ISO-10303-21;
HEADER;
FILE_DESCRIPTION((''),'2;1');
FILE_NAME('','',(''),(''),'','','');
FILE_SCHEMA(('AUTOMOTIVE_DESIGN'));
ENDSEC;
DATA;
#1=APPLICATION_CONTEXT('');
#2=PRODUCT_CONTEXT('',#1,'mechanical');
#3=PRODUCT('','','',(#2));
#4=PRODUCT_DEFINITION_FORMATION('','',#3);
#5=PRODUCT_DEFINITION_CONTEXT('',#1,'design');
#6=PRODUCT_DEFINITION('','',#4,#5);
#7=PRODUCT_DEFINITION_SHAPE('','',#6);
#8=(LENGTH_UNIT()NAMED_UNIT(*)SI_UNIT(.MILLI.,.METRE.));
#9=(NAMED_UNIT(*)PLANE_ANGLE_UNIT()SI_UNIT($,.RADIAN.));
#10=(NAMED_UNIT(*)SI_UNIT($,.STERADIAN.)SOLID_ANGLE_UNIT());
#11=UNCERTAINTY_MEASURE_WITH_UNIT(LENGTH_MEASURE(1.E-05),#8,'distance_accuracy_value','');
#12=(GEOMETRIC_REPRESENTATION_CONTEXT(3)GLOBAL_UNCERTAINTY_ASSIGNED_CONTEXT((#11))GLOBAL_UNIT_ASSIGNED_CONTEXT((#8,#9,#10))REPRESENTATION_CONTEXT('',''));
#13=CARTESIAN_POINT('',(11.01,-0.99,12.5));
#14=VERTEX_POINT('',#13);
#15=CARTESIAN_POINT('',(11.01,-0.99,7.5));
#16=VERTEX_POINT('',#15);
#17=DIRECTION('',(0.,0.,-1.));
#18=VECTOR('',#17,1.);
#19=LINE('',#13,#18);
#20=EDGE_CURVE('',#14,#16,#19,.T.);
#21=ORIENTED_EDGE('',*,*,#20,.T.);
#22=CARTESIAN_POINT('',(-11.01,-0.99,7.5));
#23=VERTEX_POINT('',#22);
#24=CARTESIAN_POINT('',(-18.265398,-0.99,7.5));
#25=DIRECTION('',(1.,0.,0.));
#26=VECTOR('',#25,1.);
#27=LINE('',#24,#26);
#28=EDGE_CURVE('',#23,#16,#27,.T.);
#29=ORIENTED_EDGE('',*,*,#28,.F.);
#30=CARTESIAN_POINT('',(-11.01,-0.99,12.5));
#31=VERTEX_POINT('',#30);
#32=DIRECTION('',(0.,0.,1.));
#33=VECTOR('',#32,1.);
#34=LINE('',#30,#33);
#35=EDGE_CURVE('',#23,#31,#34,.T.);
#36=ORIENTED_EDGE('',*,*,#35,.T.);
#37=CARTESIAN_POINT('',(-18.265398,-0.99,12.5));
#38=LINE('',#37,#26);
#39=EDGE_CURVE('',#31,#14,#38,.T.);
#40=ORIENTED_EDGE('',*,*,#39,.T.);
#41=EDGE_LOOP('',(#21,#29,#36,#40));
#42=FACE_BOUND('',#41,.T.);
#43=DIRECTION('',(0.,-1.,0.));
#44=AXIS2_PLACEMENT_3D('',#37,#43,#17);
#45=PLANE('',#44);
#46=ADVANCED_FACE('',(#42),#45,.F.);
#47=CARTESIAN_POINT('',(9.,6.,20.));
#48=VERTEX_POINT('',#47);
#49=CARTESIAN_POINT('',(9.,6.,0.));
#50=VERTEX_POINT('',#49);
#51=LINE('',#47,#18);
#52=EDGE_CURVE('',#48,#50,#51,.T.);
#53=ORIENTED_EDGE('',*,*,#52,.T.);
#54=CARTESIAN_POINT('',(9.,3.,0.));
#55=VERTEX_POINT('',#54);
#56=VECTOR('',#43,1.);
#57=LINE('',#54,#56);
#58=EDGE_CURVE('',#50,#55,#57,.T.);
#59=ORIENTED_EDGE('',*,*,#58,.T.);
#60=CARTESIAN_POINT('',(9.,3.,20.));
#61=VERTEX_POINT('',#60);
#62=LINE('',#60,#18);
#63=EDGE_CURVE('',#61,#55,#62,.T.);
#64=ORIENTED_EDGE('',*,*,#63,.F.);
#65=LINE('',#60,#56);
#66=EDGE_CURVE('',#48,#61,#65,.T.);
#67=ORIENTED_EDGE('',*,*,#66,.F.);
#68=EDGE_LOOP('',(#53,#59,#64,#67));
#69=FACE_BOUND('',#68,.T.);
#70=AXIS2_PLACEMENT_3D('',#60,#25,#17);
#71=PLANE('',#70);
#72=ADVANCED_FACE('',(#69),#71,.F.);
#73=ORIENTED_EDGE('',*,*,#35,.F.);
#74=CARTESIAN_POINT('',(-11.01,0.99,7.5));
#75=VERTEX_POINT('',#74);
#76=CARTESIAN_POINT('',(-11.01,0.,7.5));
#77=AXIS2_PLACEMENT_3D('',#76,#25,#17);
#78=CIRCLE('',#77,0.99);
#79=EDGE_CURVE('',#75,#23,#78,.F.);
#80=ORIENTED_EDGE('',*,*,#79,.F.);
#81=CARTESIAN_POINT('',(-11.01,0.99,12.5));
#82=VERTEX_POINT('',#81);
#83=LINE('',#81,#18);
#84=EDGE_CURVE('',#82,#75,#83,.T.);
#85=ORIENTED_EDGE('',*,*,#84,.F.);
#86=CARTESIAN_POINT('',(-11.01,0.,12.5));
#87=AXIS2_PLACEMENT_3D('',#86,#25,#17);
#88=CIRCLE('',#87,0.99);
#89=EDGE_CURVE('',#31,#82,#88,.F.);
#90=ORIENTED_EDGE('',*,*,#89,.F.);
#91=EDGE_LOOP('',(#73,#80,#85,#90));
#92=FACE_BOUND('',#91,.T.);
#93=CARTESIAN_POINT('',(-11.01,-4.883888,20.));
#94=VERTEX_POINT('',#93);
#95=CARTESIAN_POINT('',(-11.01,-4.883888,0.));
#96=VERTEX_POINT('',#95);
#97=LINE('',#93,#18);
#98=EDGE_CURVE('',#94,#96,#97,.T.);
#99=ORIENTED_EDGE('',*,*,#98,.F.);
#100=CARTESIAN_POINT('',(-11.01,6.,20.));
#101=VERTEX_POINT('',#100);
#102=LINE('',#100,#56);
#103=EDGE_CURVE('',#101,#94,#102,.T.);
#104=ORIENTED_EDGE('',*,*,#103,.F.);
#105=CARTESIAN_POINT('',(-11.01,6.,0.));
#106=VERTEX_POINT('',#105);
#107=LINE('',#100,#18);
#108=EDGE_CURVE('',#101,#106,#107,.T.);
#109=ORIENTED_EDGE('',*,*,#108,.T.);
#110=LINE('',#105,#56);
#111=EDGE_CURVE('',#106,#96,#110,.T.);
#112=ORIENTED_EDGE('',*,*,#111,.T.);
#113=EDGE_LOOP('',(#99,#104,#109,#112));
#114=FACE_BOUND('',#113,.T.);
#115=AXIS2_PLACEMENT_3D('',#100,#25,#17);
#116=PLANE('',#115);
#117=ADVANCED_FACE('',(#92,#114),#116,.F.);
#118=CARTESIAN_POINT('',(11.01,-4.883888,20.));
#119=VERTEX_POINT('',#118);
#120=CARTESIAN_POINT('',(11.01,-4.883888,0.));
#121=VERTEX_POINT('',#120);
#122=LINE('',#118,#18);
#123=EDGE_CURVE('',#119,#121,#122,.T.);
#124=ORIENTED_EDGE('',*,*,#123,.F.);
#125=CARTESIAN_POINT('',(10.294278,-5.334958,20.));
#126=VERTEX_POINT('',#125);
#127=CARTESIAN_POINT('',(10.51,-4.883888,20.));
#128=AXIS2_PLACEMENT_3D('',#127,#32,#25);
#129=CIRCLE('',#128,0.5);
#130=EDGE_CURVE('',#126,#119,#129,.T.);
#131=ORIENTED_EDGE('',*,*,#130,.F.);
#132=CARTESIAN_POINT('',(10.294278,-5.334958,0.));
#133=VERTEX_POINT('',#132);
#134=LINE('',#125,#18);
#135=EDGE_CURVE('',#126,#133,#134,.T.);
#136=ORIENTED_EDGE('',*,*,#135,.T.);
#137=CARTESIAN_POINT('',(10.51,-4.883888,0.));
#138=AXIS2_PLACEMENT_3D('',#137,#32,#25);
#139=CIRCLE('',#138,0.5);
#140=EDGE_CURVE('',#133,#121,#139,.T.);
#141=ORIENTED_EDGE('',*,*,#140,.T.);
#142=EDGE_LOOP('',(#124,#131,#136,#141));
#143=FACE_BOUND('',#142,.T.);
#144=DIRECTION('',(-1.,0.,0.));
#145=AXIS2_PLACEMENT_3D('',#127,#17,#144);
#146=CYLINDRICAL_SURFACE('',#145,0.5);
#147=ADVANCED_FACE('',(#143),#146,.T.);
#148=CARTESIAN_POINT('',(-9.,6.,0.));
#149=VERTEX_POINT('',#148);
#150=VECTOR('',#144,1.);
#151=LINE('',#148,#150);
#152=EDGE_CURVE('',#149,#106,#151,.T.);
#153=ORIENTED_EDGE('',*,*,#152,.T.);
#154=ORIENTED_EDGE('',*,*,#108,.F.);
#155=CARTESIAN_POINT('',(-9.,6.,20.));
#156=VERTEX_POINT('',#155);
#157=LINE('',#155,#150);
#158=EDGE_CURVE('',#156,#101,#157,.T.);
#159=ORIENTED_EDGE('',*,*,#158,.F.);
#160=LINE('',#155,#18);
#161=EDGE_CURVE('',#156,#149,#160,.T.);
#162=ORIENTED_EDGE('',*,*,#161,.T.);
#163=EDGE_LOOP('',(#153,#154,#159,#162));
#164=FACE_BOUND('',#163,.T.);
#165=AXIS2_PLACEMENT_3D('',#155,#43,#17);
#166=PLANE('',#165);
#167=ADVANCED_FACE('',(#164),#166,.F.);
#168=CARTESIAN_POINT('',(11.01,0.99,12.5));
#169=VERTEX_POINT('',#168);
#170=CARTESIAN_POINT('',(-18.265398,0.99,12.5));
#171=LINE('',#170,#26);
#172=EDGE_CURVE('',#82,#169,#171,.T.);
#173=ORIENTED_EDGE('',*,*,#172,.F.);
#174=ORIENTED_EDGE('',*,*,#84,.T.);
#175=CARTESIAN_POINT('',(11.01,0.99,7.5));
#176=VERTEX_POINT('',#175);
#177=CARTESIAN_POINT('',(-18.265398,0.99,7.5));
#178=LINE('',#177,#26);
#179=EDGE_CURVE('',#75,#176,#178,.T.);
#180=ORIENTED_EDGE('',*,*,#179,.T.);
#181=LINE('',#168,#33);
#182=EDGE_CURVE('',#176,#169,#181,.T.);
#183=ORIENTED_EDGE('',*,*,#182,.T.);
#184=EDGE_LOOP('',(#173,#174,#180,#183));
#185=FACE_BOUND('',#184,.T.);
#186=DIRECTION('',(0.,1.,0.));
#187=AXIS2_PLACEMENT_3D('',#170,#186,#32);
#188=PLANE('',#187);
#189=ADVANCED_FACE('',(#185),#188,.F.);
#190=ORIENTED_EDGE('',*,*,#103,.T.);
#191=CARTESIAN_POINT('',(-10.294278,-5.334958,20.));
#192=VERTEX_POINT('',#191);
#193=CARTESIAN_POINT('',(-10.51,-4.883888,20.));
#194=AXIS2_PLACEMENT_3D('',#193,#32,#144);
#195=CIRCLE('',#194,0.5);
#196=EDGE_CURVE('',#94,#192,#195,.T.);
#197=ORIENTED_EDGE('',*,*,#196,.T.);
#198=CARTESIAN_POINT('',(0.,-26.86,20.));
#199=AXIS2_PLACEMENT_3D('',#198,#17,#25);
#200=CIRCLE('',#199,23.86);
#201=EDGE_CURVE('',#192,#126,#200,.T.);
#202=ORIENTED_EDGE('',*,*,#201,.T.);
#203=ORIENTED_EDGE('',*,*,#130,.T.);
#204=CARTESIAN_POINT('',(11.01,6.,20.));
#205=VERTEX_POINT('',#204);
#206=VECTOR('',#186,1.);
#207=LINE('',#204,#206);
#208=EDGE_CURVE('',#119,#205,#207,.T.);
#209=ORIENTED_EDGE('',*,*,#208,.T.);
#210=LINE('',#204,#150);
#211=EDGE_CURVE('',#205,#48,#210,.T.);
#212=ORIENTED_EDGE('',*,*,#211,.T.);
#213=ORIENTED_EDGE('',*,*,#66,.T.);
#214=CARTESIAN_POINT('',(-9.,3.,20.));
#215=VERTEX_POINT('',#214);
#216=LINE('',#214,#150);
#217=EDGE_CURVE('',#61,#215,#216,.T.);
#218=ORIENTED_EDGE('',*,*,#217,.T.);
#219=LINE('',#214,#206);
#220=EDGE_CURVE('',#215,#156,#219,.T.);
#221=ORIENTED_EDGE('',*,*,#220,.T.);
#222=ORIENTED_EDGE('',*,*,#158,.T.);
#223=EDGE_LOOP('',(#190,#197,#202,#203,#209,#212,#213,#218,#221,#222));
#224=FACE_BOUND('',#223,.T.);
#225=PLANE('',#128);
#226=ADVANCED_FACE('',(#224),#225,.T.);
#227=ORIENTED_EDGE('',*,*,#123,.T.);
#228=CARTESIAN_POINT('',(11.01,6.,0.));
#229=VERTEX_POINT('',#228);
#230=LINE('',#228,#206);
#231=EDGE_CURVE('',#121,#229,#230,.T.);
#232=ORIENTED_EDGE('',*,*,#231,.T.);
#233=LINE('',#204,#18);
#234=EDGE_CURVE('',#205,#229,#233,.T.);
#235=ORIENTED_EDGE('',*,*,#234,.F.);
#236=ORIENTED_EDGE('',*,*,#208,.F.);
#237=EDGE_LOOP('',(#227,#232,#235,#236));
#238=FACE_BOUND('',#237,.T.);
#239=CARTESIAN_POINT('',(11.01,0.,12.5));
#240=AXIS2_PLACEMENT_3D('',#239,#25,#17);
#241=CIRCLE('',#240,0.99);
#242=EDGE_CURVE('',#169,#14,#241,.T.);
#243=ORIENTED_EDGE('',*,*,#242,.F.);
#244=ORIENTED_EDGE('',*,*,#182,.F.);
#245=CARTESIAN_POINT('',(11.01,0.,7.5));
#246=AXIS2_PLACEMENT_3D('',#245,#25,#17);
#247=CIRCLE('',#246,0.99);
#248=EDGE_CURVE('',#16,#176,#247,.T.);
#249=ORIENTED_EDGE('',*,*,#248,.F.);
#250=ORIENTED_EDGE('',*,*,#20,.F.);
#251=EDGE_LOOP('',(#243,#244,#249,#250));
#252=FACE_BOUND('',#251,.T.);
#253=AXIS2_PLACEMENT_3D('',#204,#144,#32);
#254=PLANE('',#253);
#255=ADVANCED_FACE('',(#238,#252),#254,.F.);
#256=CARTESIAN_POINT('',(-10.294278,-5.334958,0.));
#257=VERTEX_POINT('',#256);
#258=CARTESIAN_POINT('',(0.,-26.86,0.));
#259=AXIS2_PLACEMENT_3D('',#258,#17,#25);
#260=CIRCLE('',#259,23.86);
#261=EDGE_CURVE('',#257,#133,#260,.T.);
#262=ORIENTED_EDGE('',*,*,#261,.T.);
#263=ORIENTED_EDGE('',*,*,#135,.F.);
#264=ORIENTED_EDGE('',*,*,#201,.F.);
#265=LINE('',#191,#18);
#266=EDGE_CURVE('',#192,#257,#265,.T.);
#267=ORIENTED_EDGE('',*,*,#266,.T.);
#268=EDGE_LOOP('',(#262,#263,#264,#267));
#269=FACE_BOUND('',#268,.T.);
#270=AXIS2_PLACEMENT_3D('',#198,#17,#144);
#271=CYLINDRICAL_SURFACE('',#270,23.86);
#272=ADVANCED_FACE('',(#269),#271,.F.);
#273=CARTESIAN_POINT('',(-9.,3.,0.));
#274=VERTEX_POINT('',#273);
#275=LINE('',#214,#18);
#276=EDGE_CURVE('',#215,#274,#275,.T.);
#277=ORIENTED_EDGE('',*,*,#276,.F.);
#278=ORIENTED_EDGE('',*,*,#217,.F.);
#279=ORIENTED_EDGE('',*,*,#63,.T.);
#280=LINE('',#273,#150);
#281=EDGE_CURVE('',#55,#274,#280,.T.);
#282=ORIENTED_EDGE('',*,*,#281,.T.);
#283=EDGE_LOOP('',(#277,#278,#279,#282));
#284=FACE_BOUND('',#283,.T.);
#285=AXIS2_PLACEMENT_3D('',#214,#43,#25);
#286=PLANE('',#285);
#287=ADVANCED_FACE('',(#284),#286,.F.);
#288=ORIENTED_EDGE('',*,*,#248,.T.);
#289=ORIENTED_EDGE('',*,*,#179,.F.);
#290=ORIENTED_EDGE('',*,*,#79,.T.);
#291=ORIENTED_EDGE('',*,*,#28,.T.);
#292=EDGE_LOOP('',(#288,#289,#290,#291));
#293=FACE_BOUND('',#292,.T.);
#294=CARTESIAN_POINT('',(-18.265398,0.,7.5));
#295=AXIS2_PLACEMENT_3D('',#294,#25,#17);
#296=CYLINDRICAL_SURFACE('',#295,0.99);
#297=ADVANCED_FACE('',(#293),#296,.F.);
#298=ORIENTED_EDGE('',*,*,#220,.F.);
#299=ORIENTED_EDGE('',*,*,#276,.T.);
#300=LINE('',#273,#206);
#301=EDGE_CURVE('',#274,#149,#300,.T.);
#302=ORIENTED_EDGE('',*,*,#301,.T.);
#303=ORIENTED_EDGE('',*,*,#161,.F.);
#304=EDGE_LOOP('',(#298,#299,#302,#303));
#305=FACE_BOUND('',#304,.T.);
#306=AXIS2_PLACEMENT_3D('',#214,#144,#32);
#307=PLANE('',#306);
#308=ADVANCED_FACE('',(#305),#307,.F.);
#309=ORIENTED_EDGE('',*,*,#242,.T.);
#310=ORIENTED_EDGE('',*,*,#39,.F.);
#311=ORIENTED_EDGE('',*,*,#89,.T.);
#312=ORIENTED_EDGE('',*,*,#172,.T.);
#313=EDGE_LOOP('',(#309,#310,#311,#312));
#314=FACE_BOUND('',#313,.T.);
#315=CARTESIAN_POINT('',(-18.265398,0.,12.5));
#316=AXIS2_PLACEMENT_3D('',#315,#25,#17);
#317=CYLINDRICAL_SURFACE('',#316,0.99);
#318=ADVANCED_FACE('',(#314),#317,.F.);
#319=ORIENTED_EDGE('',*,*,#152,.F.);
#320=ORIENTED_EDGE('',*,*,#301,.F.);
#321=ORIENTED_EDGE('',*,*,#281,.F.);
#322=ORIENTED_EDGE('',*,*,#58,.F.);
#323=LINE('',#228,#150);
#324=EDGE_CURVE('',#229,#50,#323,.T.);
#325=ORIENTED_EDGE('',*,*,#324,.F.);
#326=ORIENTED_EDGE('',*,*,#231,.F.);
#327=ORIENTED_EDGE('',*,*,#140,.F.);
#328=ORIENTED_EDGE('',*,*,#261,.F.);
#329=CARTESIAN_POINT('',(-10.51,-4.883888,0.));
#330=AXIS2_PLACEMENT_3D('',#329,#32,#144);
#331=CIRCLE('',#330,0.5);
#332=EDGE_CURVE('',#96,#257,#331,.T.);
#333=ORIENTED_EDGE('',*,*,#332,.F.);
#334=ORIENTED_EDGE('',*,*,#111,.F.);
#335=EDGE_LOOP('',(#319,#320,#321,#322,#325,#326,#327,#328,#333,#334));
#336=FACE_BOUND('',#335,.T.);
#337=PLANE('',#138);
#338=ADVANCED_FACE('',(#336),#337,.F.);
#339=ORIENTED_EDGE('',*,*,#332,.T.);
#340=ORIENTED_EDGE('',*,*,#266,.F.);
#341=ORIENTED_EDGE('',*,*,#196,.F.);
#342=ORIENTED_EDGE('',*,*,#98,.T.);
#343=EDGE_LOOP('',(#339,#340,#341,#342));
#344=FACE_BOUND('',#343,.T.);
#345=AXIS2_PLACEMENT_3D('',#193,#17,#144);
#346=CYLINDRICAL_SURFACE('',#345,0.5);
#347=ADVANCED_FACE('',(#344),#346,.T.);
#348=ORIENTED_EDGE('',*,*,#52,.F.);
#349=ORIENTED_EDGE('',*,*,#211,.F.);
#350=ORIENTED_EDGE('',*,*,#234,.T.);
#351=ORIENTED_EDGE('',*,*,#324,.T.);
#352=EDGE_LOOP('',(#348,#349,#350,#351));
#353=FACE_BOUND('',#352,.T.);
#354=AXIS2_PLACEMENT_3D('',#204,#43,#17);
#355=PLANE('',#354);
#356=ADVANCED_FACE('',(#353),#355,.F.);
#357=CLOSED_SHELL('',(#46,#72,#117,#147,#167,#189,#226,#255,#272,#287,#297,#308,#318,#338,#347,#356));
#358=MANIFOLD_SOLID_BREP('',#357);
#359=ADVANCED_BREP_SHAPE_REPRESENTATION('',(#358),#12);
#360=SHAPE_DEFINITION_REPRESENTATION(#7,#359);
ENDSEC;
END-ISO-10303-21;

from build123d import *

# Parameters (mm, degrees)
BOSS_EXTRUDE1_DEPTH = 20
CUT_EXTRUDE1_DEPTH  = 22.02


with BuildPart() as part:
    # Sketch1 → Boss-Extrude1 (new body)
    with BuildSketch(Plane.XY):
        with BuildLine():
            Line((-9, 3), (9, 3))
            Line((9, 3), (9, 6))
            Line((9, 6), (11.01, 6))
            Line((11.01, 6), (11.01, -4.883887969))
            ThreePointArc((11.01, -4.883887969), (10.776588402, -5.306889889), (10.294277504, -5.334957592))
            ThreePointArc((10.294277504, -5.334957592), (0, -3), (-10.294277504, -5.334957592))
            ThreePointArc((-10.294277504, -5.334957592), (-10.776588402, -5.306889889), (-11.01, -4.883887969))
            Line((-11.01, -4.883887969), (-11.01, 6))
            Line((-11.01, 6), (-9, 6))
            Line((-9, 6), (-9, 3))
        make_face()
    extrude(amount=BOSS_EXTRUDE1_DEPTH)

    # Sketch2 → Cut-Extrude1 (cut)
    with BuildSketch(Plane(origin=(11.01, 0, 0), x_dir=(0, 0, -1), z_dir=(1, 0, 0))):
        with BuildLine():
            Line((-12.5, 0.99), (-7.5, 0.99))
            ThreePointArc((-7.5, 0.99), (-6.51, 0), (-7.5, -0.99))
            Line((-7.5, -0.99), (-12.5, -0.99))
            ThreePointArc((-12.5, -0.99), (-13.49, 0), (-12.5, 0.99))
        make_face()
    extrude(amount=-CUT_EXTRUDE1_DEPTH, mode=Mode.SUBTRACT)


solid = part.part
